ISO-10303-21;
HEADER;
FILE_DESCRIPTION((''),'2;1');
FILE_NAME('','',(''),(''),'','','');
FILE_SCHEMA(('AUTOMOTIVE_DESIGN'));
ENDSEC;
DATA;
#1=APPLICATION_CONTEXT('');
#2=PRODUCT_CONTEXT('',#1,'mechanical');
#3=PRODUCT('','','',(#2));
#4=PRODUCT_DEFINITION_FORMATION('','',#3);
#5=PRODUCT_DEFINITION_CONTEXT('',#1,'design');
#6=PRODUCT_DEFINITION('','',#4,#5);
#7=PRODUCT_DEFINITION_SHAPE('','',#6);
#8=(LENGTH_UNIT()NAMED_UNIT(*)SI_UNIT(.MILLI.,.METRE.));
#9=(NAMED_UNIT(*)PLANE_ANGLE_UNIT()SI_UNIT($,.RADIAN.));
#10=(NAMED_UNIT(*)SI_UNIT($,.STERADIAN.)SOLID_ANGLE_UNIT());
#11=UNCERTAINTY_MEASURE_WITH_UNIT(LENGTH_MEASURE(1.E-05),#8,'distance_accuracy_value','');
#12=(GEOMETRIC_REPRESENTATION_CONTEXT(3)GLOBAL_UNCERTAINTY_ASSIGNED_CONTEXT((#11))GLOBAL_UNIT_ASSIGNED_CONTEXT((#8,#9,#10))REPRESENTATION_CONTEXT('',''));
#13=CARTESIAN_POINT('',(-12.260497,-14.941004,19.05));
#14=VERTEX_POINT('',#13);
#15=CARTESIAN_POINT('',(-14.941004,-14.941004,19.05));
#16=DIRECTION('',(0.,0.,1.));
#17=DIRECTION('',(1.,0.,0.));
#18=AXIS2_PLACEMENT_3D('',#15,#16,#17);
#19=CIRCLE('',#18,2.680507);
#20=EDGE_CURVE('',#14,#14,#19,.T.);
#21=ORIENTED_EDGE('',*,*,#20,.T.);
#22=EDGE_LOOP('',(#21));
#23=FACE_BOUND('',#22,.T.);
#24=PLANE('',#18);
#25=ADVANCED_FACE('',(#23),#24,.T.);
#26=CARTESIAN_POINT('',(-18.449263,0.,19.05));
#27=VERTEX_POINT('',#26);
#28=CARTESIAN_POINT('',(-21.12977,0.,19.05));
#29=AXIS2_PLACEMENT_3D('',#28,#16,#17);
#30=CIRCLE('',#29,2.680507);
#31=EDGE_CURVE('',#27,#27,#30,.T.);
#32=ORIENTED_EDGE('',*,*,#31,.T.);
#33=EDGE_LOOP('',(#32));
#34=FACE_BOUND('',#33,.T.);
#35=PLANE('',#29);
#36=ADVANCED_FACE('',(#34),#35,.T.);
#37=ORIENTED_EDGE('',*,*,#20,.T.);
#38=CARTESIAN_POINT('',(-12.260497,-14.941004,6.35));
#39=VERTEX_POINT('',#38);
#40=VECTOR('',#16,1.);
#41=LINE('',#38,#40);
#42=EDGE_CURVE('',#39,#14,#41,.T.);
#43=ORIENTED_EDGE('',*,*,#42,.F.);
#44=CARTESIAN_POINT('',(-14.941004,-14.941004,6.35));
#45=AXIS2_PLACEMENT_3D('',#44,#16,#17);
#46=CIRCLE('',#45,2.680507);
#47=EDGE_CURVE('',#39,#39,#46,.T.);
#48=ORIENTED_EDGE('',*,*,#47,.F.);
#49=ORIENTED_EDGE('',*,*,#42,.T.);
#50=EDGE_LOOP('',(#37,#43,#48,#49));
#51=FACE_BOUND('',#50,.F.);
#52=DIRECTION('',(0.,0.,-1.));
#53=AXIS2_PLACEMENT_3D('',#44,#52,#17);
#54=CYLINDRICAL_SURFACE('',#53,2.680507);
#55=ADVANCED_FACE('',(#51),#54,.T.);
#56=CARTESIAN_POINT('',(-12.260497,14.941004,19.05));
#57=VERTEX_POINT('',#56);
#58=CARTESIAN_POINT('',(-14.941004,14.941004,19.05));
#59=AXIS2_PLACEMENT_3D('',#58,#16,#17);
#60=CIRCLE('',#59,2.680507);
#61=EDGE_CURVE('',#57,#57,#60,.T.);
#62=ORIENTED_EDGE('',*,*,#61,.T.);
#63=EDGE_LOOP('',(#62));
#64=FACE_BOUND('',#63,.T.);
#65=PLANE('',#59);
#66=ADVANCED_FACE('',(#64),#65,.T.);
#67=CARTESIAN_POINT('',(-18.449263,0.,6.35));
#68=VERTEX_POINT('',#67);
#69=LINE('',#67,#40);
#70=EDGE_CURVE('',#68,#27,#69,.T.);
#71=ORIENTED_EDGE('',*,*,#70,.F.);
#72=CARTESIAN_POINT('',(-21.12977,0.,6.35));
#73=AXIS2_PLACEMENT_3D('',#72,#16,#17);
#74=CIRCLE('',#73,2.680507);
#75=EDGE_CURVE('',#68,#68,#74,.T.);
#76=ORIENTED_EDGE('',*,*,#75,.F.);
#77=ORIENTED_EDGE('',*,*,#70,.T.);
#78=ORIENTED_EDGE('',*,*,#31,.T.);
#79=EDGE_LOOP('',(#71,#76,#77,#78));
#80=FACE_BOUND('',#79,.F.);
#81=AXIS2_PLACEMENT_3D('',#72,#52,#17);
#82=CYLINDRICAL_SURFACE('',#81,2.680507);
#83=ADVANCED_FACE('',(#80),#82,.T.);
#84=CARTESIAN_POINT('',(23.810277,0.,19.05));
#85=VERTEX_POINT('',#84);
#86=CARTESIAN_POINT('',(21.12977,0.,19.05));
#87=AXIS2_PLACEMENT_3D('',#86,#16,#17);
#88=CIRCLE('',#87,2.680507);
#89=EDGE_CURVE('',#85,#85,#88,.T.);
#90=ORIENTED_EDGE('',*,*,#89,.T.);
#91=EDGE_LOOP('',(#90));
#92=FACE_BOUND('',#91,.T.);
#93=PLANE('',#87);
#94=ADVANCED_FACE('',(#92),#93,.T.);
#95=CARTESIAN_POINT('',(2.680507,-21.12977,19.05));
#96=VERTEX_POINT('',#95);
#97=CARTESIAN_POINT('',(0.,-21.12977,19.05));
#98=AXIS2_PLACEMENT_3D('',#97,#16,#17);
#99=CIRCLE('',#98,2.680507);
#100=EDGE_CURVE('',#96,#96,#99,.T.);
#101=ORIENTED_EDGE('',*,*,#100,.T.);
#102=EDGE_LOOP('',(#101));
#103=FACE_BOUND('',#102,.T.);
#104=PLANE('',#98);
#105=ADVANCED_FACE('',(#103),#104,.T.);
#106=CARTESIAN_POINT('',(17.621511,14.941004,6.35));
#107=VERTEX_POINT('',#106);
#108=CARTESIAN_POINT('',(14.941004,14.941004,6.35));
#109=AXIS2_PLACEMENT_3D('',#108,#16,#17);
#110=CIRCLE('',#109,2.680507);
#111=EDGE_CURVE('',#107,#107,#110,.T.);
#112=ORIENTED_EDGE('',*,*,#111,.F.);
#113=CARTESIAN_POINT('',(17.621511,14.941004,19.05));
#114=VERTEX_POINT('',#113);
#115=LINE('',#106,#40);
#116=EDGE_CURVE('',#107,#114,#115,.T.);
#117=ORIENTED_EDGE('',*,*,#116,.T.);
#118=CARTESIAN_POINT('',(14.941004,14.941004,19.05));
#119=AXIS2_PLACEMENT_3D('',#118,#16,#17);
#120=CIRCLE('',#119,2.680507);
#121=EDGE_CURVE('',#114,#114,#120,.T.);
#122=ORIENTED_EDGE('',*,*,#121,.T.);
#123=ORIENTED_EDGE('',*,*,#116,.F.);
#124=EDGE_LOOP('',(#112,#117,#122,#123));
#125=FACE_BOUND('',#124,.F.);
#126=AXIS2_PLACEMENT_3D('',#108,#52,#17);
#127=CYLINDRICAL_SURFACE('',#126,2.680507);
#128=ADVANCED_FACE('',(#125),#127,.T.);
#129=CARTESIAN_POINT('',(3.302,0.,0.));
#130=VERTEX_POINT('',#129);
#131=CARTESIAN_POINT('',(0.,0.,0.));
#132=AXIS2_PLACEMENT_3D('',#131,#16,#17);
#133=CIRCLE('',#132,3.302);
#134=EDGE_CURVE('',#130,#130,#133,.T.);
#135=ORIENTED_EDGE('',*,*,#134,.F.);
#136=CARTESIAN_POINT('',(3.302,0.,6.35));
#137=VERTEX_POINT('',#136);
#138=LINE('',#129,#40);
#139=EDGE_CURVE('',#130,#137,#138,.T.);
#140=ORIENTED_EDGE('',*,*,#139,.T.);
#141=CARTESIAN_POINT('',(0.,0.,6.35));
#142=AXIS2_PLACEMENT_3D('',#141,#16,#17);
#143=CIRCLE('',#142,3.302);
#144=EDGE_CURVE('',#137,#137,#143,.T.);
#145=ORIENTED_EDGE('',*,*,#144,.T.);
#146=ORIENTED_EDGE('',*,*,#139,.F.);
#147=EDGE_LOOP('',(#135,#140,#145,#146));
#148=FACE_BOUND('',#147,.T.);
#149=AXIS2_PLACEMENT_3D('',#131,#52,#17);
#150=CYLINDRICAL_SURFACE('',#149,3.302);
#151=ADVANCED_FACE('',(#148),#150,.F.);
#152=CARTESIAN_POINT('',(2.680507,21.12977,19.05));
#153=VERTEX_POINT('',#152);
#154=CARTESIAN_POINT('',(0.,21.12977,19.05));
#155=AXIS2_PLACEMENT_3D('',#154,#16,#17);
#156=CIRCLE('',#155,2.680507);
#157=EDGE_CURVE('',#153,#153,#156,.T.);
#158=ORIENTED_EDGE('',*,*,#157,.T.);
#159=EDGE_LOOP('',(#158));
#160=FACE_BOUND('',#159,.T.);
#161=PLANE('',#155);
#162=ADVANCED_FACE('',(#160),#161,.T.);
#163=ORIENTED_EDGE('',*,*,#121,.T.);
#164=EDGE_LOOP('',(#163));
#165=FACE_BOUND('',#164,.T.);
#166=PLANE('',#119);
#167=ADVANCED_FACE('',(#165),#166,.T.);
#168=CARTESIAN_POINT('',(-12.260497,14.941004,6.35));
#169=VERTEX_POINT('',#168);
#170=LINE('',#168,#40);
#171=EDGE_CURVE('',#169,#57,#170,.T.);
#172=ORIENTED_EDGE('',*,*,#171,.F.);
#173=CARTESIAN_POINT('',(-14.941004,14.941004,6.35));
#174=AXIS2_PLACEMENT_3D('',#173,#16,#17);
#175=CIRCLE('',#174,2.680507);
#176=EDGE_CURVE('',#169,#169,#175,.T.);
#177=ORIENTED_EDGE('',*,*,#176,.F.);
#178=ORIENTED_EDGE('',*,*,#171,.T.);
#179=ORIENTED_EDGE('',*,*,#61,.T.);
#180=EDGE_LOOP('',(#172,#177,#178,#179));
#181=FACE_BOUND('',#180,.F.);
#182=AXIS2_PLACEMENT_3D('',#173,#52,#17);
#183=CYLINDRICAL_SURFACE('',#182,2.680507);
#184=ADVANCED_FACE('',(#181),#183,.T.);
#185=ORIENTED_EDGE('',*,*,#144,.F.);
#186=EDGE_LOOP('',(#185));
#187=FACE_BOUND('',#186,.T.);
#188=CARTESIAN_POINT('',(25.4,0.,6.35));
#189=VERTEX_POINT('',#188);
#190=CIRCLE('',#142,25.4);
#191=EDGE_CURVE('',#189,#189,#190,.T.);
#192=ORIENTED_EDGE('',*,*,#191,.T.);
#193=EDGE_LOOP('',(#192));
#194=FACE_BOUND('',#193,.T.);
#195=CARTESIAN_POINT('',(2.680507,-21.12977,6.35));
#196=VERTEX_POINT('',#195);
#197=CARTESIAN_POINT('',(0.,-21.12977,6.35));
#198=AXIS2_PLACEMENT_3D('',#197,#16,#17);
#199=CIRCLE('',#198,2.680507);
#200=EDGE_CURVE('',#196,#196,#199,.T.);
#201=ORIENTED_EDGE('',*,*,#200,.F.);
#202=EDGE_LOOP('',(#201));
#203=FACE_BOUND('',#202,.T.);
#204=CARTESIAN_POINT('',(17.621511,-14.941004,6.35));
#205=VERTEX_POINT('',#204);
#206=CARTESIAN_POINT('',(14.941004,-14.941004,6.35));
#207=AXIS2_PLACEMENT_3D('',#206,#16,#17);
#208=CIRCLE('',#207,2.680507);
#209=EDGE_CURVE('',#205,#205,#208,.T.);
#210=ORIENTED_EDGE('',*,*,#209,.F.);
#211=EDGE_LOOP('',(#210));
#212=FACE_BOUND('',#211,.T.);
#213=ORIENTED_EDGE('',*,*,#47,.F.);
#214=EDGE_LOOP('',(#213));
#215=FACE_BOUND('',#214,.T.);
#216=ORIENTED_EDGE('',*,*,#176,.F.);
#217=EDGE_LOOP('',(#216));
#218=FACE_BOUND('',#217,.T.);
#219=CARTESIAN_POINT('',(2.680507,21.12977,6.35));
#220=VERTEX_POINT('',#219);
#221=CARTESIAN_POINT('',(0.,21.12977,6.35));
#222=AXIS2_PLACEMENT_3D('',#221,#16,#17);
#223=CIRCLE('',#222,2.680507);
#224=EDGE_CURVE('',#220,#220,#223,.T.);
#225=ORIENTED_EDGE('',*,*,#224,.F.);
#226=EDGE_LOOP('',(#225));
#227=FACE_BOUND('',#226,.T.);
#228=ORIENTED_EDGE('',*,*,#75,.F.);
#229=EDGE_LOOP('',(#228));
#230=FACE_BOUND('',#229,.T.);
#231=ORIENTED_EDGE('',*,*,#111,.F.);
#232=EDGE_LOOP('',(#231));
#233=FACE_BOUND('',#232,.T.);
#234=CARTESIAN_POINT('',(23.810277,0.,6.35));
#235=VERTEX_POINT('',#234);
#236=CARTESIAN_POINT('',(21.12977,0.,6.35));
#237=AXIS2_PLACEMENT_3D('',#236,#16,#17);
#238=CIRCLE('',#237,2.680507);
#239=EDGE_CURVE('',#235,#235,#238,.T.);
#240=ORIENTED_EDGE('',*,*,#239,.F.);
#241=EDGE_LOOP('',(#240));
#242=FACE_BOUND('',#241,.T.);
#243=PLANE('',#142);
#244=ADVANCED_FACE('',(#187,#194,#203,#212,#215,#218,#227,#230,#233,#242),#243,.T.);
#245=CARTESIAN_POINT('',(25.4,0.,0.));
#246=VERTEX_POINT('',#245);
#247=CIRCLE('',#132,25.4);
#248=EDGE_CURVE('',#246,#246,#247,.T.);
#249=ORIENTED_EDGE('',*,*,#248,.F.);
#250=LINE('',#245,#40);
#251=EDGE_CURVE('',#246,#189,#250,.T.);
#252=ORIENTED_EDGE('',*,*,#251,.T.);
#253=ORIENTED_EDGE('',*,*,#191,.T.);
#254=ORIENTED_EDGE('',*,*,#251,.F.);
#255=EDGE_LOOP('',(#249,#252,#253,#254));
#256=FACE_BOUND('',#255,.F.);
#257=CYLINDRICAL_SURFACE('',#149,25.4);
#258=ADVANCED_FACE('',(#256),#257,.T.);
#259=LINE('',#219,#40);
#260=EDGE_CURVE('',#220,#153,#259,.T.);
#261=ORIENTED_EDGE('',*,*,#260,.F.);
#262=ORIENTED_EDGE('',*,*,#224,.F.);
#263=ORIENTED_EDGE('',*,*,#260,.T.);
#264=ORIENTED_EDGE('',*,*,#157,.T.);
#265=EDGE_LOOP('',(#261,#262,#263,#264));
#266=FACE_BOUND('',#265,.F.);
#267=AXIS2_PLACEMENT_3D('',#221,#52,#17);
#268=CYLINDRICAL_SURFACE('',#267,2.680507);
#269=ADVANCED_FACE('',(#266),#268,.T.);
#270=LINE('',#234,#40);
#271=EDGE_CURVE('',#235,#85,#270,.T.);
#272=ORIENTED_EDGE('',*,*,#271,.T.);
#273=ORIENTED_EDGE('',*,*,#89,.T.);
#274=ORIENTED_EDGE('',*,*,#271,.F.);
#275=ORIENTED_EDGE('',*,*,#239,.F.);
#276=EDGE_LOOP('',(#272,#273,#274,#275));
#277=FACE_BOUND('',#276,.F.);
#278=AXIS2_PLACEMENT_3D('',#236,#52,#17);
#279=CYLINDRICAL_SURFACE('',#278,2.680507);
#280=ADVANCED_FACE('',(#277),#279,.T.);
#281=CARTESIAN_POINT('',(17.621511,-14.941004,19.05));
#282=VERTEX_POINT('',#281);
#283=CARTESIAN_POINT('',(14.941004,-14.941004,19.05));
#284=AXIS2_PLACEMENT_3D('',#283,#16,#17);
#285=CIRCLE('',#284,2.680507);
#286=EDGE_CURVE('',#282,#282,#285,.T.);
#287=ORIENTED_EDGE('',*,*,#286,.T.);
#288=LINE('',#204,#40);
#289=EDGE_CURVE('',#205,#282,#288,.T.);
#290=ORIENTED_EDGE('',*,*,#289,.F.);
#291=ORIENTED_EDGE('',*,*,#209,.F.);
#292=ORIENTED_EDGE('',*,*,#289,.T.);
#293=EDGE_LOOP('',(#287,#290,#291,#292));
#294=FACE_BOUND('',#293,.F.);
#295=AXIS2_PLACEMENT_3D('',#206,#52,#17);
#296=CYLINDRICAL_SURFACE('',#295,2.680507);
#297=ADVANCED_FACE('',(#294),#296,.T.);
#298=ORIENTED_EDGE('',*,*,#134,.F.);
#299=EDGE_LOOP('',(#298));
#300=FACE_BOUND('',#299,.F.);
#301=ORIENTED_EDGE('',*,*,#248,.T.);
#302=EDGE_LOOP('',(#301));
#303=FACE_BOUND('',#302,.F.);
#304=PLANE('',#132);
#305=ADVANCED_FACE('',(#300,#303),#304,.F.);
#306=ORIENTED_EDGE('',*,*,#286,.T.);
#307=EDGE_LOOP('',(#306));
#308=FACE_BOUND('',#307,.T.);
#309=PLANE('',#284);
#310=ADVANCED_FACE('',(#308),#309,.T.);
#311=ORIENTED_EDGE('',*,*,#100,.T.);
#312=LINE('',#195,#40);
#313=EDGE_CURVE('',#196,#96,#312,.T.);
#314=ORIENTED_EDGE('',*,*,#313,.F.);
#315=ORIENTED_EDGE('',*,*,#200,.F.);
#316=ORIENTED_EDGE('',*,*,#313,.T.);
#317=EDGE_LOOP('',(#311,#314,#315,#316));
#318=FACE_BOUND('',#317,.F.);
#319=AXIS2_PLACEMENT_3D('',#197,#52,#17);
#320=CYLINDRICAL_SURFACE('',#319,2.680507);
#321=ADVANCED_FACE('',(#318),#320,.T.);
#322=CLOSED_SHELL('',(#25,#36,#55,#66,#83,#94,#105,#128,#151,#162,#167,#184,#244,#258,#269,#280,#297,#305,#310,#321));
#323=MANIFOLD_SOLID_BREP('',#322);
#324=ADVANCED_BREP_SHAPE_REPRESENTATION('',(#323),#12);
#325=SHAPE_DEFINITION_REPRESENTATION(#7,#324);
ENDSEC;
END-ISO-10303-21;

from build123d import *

# Parameters (mm, degrees)
F0_R     = 25.4
F0_R_2   = 3.302
F1_DEPTH = 6.35
F2_R     = 2.680507
F3_DEPTH = 12.7


with BuildPart() as f1:
    # F0 (on Top) → F1 (new body)
    with BuildSketch(Plane.XY):
        Circle(F0_R)
        Circle(F0_R_2, mode=Mode.SUBTRACT)
    extrude(amount=F1_DEPTH)

    # F2 (on face) → F3 (join)
    with BuildSketch(Plane.XY.offset(6.35)):
        with Locations((0, 21.12977)):
            Circle(F2_R)
        with Locations((-14.941004, 14.941004)):
            Circle(F2_R)
        with Locations((-21.12977, 0)):
            Circle(F2_R)
        with Locations((-14.941004, -14.941004)):
            Circle(F2_R)
        with Locations((0, -21.12977)):
            Circle(F2_R)
        with Locations((21.12977, 0)):
            Circle(F2_R)
        with Locations((14.941004, 14.941004)):
            Circle(F2_R)
        with Locations((14.941004, -14.941004)):
            Circle(F2_R)
    extrude(amount=F3_DEPTH)


solid = f1.part
